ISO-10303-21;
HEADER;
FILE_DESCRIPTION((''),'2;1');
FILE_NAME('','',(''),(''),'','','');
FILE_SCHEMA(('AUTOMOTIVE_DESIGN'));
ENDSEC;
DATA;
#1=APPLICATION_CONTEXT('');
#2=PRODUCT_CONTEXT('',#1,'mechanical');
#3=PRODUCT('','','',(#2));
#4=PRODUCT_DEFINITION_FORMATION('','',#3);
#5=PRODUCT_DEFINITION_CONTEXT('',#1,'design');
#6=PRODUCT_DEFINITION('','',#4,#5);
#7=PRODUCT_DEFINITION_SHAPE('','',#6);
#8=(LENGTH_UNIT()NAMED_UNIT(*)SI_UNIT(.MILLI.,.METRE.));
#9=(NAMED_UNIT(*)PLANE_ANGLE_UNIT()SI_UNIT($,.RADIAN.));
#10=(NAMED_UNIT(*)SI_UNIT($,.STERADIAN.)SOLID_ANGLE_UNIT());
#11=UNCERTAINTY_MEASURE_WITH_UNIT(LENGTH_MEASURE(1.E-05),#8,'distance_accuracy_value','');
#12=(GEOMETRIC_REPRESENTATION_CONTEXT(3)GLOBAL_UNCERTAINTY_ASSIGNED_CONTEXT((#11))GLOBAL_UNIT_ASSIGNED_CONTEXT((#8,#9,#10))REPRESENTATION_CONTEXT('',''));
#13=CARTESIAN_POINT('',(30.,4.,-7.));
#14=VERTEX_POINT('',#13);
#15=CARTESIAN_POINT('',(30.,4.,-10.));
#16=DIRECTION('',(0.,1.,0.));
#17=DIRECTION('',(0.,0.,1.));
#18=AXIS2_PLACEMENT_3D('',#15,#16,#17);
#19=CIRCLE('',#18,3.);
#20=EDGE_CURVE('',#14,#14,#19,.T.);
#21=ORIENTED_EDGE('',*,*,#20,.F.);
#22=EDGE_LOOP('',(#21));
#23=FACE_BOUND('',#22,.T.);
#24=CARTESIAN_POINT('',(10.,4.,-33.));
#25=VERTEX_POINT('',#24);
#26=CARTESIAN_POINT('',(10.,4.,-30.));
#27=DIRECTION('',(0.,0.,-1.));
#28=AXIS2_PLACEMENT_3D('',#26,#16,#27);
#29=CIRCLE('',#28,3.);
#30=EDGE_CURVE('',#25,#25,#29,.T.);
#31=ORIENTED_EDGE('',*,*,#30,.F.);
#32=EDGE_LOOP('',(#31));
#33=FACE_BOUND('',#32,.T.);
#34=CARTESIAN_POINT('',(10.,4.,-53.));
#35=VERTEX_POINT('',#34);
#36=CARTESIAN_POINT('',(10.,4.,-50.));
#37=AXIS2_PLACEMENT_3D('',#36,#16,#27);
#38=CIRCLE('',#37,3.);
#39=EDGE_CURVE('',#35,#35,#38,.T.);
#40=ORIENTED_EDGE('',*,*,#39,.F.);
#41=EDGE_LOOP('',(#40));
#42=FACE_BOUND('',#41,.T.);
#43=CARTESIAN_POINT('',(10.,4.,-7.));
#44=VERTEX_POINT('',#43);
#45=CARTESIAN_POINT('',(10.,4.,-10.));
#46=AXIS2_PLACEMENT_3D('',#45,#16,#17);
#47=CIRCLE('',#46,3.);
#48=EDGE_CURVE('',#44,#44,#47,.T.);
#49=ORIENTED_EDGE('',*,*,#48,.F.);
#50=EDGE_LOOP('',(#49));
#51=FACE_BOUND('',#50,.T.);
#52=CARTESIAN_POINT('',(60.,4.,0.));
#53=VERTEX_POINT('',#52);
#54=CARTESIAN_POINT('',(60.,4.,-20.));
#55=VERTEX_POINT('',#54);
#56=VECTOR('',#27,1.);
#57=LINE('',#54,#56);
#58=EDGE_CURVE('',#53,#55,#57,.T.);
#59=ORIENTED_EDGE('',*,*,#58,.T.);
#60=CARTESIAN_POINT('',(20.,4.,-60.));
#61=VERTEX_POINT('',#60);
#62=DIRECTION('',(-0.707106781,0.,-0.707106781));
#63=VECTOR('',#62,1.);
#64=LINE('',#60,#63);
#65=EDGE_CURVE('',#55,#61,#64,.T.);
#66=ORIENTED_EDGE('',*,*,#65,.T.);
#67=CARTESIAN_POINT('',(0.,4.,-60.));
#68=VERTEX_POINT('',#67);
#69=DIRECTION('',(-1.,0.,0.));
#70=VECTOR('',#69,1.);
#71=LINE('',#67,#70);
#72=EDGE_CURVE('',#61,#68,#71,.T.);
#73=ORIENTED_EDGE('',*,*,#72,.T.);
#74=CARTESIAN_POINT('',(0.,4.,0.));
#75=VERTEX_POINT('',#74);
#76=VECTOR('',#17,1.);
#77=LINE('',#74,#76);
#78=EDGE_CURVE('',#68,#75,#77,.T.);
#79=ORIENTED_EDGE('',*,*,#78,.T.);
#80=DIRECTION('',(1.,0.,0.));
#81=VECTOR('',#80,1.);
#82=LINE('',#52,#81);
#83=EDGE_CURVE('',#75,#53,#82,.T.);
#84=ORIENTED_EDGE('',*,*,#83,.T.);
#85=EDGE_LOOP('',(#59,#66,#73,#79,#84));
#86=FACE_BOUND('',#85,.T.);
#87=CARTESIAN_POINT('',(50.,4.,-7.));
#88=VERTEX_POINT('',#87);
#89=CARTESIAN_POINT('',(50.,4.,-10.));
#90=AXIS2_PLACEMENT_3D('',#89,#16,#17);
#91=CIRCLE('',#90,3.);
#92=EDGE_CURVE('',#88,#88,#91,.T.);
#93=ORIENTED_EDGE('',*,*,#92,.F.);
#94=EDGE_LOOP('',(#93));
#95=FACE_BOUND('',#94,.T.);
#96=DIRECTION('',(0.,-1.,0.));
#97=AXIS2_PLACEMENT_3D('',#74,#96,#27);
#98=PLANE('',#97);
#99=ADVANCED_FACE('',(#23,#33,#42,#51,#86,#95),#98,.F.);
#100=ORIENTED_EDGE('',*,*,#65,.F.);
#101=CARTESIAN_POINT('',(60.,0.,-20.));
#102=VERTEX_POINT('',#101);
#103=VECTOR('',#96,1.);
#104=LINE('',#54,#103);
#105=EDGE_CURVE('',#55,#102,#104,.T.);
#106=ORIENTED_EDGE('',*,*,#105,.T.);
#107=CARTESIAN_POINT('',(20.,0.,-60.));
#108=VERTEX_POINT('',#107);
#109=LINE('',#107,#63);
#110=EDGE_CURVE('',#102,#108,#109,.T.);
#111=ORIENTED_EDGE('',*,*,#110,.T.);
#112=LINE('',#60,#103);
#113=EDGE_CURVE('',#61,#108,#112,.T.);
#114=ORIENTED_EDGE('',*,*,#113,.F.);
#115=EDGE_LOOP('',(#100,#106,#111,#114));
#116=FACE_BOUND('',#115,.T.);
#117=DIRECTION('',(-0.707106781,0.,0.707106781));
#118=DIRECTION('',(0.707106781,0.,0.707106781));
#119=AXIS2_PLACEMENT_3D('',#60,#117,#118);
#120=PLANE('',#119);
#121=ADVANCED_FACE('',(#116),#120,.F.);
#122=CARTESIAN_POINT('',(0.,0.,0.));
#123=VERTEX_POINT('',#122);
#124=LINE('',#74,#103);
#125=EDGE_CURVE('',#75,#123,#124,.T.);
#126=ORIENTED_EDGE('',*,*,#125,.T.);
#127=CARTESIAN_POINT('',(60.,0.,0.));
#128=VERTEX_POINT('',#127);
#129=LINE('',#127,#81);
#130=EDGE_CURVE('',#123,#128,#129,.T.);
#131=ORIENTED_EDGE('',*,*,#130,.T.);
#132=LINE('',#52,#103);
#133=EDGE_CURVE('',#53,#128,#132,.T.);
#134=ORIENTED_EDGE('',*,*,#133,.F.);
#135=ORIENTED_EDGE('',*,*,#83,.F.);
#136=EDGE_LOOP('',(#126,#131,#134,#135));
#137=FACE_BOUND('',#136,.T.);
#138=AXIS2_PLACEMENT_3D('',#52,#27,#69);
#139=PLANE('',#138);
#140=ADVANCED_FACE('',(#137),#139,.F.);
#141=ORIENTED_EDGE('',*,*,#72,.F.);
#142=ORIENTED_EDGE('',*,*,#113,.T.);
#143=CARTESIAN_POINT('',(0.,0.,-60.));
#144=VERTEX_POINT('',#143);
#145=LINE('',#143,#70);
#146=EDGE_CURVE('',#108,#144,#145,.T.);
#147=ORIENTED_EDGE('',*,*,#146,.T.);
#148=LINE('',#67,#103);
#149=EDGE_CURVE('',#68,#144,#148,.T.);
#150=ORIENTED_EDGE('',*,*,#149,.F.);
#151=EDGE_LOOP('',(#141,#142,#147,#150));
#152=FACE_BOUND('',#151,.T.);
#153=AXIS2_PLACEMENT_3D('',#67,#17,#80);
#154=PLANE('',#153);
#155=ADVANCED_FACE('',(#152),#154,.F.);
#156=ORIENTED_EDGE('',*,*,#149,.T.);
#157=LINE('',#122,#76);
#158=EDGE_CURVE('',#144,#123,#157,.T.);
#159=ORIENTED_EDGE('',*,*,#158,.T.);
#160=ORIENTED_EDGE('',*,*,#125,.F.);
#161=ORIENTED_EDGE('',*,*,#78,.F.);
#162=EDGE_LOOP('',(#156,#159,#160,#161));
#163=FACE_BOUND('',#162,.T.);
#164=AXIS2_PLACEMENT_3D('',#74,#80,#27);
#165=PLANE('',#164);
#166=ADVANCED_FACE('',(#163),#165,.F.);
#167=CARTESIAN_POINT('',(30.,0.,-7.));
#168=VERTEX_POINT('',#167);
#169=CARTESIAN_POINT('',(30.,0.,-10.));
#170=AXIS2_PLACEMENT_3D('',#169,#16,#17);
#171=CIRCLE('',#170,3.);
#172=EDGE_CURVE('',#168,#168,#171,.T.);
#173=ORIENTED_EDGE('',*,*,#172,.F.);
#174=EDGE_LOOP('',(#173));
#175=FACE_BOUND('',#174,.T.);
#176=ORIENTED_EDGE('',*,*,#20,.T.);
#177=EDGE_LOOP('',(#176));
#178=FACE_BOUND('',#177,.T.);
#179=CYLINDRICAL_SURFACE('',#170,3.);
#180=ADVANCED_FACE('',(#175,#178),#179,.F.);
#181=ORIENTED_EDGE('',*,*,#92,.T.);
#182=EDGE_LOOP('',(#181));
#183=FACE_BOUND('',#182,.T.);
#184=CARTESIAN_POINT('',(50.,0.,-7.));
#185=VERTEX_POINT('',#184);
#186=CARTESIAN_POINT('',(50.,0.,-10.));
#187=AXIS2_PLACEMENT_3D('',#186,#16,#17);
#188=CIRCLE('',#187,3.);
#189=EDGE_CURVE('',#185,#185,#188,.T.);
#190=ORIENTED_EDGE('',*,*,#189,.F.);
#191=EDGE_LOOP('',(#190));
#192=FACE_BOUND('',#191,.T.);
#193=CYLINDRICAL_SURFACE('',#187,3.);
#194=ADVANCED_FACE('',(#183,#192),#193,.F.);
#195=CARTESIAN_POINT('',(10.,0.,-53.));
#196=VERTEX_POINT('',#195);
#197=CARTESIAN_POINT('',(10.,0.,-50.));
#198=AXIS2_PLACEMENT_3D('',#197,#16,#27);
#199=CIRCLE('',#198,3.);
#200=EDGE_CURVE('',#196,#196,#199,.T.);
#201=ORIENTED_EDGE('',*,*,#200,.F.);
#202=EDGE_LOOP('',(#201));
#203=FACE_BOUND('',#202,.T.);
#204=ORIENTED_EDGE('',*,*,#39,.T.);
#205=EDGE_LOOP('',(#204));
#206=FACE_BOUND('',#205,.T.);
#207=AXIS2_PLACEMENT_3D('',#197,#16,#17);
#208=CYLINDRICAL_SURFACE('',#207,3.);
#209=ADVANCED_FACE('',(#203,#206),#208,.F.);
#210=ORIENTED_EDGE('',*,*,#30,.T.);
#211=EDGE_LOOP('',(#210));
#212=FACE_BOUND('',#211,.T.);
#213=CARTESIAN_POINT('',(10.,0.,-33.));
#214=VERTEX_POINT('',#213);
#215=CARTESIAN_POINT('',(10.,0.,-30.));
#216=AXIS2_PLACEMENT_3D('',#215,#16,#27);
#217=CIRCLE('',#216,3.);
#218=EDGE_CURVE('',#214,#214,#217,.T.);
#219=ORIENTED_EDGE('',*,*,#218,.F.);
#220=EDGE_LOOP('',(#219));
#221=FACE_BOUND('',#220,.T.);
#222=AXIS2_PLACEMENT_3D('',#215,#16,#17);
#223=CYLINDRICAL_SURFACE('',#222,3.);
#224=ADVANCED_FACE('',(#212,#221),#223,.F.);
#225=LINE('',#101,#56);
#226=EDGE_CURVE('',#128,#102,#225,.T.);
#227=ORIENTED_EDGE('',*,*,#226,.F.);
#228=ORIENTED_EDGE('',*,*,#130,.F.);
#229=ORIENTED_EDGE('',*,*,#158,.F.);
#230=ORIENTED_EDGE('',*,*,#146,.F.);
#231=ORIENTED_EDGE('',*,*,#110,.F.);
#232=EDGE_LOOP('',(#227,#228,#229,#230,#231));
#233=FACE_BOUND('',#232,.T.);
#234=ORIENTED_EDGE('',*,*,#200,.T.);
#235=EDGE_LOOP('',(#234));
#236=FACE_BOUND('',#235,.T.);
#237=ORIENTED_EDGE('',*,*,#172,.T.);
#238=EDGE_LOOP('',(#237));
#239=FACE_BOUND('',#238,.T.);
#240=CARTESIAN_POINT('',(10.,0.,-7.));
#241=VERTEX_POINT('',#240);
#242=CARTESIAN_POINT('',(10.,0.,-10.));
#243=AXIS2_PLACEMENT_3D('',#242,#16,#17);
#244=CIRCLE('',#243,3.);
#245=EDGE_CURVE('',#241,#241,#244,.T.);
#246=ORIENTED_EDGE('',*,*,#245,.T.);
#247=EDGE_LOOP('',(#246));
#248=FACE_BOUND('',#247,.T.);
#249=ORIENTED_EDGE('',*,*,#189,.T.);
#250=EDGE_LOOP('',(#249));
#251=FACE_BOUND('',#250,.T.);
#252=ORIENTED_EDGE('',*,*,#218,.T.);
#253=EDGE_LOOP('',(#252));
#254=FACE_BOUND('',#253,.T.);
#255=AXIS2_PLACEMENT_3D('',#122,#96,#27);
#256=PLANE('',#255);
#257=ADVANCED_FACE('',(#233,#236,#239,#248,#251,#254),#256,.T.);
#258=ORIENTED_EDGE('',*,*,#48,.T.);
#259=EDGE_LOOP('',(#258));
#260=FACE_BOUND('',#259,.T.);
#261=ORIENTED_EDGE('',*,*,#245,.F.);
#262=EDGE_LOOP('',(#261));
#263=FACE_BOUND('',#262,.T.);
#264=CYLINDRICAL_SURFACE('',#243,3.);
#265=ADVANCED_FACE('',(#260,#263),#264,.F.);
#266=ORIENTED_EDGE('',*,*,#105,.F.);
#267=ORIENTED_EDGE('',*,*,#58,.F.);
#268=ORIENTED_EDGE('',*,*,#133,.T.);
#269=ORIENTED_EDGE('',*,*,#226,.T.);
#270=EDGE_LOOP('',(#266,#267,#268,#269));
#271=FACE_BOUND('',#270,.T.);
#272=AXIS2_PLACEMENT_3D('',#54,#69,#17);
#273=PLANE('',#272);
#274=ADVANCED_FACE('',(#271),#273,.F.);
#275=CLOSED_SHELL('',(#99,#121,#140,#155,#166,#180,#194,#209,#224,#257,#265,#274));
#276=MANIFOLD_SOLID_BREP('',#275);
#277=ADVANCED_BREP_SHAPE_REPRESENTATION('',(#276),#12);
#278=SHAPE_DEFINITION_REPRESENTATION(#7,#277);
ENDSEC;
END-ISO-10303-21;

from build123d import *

# Parameters (mm, degrees)
BOSS_EXTRUDE1_DEPTH = 4
SKETCH3_R           = 3
CUT_EXTRUDE1_DEPTH  = 5


with BuildPart() as part:
    # Sketch2 → Boss-Extrude1 (new body)
    with BuildSketch(Plane(origin=(0, 0, 0), x_dir=(1, 0, 0), z_dir=(0, 1, 0))):
        Polygon((0, 0), (0, 60), (20, 60), (60, 20), (60, 0), align=None)
    extrude(amount=BOSS_EXTRUDE1_DEPTH)

    # Sketch3 → Cut-Extrude1 (cut, through all)
    with BuildSketch(Plane(origin=(0, 4, 0), x_dir=(1, 0, 0), z_dir=(0, 1, 0))):
        with Locations((10, 10)):
            Circle(SKETCH3_R)
        with Locations((30, 10)):
            Circle(SKETCH3_R)
        with Locations((50, 10)):
            Circle(SKETCH3_R)
        with Locations((10, 50)):
            Circle(SKETCH3_R)
        with Locations((10, 30)):
            Circle(SKETCH3_R)
    extrude(amount=-CUT_EXTRUDE1_DEPTH, mode=Mode.SUBTRACT)


solid = part.part
